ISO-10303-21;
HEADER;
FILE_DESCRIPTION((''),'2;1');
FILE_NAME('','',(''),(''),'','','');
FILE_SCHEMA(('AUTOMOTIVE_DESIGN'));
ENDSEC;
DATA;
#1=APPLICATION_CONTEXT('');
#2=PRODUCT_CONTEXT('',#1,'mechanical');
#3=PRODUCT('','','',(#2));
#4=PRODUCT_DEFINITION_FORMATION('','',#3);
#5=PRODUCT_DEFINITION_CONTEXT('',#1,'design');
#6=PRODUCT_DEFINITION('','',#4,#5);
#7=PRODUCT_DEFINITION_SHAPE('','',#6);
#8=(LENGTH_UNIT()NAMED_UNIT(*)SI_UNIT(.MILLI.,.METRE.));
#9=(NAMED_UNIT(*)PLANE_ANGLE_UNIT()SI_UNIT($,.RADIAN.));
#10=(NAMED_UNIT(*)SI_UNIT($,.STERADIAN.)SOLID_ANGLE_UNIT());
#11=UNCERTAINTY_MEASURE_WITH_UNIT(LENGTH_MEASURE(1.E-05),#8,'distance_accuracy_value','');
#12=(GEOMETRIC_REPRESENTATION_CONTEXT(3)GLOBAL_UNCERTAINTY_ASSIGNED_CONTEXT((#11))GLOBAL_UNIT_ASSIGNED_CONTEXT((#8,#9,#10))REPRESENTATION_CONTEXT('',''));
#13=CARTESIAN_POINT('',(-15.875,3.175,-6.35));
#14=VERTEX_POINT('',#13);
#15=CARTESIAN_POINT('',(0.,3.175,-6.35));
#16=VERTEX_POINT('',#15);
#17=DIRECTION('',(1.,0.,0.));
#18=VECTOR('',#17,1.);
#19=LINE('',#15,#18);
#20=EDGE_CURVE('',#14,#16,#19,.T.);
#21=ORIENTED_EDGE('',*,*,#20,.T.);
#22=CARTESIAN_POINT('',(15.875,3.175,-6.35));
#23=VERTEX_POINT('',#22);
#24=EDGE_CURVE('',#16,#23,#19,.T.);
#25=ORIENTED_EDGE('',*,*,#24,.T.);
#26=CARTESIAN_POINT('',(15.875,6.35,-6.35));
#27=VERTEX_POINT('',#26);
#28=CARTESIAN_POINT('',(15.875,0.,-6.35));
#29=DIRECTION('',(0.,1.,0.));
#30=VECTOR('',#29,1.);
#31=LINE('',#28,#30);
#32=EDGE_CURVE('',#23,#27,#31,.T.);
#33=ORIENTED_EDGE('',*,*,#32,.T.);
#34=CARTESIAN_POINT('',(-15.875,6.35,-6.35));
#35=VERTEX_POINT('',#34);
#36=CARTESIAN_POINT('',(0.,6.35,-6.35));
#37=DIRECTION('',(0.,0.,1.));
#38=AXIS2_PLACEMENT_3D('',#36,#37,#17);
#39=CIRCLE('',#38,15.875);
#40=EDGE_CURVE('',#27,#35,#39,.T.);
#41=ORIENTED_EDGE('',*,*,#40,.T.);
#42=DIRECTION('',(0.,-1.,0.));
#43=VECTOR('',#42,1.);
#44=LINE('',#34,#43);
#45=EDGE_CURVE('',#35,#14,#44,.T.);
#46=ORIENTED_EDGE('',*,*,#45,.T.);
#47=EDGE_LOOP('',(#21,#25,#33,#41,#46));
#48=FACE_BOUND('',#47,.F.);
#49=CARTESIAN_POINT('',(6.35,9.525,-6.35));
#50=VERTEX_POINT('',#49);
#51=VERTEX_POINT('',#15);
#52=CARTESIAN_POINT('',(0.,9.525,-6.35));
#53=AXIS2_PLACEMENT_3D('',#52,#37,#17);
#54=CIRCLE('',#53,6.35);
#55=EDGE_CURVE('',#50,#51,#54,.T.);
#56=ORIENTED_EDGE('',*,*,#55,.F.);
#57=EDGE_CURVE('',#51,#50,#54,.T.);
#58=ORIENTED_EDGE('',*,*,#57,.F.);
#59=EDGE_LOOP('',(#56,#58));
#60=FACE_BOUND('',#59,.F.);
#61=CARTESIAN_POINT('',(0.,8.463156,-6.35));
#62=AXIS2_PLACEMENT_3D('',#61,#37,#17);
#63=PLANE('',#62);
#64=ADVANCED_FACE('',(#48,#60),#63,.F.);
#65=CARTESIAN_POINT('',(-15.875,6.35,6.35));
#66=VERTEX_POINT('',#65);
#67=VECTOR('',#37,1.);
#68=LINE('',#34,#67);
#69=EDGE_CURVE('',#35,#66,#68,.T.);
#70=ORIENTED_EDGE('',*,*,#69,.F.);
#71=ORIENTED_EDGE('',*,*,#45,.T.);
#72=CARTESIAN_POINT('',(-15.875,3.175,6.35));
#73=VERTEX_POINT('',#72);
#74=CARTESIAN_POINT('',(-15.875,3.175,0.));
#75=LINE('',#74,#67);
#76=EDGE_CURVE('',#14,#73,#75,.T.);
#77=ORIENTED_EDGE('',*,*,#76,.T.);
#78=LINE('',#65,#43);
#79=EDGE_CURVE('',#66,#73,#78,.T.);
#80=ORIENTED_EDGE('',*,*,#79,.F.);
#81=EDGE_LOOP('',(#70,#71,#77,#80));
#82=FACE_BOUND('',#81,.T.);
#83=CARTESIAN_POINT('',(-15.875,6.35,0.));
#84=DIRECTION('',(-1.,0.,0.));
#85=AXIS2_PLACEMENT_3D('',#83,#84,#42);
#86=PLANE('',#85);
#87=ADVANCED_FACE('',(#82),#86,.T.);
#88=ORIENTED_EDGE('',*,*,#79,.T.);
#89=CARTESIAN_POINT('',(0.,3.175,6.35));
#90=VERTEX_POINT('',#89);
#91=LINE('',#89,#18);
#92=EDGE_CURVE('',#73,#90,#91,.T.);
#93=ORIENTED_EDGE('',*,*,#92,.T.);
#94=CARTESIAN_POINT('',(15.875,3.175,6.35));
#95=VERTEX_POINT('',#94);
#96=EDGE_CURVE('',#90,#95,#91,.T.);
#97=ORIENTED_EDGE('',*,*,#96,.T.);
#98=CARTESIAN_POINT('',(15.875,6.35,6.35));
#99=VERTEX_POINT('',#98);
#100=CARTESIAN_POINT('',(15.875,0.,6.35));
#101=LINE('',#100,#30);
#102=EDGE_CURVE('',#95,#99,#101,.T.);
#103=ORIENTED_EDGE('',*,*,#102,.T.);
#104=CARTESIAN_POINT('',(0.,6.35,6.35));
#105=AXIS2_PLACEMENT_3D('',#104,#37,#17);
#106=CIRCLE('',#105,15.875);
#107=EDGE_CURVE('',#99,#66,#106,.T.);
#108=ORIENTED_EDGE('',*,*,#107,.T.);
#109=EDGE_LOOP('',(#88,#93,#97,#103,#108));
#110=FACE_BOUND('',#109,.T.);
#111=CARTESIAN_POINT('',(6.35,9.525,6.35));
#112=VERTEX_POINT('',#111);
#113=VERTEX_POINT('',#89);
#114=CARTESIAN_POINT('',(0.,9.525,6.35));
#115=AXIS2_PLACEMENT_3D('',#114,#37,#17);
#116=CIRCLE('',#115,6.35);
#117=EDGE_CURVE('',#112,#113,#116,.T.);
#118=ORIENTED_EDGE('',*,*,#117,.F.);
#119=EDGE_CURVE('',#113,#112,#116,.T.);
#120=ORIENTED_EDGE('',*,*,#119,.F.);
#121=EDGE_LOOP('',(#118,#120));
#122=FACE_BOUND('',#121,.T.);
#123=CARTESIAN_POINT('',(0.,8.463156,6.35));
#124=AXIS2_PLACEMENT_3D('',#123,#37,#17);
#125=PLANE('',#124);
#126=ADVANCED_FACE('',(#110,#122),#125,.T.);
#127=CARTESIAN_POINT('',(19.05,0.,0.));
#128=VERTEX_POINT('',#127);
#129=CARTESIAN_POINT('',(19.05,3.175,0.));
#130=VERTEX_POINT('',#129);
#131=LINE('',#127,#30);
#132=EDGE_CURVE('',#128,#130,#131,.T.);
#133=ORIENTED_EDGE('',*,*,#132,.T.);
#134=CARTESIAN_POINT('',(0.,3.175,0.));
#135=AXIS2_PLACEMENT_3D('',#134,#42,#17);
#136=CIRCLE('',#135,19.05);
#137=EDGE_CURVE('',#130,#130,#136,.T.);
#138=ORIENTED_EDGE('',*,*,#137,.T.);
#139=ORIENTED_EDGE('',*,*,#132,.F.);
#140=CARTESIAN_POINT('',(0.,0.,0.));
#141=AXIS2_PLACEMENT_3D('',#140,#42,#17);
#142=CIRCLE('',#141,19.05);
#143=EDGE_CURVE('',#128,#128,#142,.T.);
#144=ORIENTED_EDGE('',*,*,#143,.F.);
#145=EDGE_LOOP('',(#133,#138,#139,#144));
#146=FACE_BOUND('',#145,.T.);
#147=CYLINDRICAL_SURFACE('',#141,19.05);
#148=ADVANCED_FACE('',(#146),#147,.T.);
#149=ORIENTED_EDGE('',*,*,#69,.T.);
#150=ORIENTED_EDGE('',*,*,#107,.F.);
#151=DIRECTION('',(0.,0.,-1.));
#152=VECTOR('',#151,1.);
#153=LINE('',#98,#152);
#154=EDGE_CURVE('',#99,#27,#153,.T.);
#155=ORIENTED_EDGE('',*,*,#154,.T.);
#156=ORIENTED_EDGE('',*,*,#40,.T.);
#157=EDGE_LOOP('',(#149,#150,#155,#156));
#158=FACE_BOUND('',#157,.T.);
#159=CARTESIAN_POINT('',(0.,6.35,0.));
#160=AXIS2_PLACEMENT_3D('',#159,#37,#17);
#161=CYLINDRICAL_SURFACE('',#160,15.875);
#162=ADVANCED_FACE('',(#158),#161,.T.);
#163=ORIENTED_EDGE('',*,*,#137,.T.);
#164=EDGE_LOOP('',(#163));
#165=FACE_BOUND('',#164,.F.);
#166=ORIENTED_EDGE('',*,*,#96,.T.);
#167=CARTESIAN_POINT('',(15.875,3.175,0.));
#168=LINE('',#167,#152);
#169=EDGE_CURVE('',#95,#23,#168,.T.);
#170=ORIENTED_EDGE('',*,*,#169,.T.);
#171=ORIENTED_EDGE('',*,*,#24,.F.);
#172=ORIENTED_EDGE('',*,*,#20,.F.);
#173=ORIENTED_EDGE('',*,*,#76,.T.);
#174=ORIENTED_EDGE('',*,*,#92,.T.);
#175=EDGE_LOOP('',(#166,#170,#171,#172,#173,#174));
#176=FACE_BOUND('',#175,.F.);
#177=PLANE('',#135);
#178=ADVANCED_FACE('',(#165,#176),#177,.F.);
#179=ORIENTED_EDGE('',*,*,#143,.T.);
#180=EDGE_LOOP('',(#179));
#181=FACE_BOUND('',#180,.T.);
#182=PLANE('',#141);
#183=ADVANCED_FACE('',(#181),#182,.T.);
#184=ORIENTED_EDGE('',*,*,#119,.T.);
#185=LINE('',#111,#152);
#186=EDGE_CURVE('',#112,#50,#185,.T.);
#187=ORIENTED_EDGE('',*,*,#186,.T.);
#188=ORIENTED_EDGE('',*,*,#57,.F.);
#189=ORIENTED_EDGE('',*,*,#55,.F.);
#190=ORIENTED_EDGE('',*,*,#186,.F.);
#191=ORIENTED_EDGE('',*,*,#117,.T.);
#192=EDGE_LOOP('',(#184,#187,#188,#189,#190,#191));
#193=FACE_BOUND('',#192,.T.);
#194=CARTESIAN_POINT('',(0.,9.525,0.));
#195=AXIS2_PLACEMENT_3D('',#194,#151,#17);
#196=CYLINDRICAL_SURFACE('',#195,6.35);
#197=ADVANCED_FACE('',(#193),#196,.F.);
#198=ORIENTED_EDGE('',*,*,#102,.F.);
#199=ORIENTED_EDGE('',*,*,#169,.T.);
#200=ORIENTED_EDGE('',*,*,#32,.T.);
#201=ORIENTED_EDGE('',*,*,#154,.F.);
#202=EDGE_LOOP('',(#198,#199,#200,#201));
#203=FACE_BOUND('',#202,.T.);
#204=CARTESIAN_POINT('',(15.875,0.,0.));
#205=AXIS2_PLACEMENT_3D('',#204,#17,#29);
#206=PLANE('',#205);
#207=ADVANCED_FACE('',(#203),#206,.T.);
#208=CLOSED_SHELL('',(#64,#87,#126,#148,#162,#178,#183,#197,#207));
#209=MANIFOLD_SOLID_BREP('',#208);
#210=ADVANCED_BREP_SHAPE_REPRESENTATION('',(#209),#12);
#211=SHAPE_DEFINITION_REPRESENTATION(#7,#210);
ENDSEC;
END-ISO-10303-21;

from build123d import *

# Parameters (mm, degrees)
F1_R     = 6.35
F2_DEPTH = 6.35
F0_R     = 19.05
F0_R_2   = 9.525
F3_DEPTH = 3.175


with BuildPart() as f2:
    # F1 (on Top) → F2 (new body, symmetric)
    with BuildSketch(Plane.XY):
        with BuildLine():
            ThreePointArc((15.875, 6.35), (0, 22.225), (-15.875, 6.35))
            Line((-15.875, 6.35), (-15.875, 0))
            Line((-15.875, 0), (15.875, 0))
            Line((15.875, 0), (15.875, 6.35))
        make_face()
        with Locations((0, 9.525)):
            Circle(F1_R, mode=Mode.SUBTRACT)
    extrude(amount=F2_DEPTH, both=True)

    # F0 (on Front) → F3 (join)
    with BuildSketch(Plane.XZ):
        Circle(F0_R)
        Circle(F0_R_2, mode=Mode.SUBTRACT)
        Circle(F0_R_2)
    extrude(amount=-F3_DEPTH)


solid = f2.part
